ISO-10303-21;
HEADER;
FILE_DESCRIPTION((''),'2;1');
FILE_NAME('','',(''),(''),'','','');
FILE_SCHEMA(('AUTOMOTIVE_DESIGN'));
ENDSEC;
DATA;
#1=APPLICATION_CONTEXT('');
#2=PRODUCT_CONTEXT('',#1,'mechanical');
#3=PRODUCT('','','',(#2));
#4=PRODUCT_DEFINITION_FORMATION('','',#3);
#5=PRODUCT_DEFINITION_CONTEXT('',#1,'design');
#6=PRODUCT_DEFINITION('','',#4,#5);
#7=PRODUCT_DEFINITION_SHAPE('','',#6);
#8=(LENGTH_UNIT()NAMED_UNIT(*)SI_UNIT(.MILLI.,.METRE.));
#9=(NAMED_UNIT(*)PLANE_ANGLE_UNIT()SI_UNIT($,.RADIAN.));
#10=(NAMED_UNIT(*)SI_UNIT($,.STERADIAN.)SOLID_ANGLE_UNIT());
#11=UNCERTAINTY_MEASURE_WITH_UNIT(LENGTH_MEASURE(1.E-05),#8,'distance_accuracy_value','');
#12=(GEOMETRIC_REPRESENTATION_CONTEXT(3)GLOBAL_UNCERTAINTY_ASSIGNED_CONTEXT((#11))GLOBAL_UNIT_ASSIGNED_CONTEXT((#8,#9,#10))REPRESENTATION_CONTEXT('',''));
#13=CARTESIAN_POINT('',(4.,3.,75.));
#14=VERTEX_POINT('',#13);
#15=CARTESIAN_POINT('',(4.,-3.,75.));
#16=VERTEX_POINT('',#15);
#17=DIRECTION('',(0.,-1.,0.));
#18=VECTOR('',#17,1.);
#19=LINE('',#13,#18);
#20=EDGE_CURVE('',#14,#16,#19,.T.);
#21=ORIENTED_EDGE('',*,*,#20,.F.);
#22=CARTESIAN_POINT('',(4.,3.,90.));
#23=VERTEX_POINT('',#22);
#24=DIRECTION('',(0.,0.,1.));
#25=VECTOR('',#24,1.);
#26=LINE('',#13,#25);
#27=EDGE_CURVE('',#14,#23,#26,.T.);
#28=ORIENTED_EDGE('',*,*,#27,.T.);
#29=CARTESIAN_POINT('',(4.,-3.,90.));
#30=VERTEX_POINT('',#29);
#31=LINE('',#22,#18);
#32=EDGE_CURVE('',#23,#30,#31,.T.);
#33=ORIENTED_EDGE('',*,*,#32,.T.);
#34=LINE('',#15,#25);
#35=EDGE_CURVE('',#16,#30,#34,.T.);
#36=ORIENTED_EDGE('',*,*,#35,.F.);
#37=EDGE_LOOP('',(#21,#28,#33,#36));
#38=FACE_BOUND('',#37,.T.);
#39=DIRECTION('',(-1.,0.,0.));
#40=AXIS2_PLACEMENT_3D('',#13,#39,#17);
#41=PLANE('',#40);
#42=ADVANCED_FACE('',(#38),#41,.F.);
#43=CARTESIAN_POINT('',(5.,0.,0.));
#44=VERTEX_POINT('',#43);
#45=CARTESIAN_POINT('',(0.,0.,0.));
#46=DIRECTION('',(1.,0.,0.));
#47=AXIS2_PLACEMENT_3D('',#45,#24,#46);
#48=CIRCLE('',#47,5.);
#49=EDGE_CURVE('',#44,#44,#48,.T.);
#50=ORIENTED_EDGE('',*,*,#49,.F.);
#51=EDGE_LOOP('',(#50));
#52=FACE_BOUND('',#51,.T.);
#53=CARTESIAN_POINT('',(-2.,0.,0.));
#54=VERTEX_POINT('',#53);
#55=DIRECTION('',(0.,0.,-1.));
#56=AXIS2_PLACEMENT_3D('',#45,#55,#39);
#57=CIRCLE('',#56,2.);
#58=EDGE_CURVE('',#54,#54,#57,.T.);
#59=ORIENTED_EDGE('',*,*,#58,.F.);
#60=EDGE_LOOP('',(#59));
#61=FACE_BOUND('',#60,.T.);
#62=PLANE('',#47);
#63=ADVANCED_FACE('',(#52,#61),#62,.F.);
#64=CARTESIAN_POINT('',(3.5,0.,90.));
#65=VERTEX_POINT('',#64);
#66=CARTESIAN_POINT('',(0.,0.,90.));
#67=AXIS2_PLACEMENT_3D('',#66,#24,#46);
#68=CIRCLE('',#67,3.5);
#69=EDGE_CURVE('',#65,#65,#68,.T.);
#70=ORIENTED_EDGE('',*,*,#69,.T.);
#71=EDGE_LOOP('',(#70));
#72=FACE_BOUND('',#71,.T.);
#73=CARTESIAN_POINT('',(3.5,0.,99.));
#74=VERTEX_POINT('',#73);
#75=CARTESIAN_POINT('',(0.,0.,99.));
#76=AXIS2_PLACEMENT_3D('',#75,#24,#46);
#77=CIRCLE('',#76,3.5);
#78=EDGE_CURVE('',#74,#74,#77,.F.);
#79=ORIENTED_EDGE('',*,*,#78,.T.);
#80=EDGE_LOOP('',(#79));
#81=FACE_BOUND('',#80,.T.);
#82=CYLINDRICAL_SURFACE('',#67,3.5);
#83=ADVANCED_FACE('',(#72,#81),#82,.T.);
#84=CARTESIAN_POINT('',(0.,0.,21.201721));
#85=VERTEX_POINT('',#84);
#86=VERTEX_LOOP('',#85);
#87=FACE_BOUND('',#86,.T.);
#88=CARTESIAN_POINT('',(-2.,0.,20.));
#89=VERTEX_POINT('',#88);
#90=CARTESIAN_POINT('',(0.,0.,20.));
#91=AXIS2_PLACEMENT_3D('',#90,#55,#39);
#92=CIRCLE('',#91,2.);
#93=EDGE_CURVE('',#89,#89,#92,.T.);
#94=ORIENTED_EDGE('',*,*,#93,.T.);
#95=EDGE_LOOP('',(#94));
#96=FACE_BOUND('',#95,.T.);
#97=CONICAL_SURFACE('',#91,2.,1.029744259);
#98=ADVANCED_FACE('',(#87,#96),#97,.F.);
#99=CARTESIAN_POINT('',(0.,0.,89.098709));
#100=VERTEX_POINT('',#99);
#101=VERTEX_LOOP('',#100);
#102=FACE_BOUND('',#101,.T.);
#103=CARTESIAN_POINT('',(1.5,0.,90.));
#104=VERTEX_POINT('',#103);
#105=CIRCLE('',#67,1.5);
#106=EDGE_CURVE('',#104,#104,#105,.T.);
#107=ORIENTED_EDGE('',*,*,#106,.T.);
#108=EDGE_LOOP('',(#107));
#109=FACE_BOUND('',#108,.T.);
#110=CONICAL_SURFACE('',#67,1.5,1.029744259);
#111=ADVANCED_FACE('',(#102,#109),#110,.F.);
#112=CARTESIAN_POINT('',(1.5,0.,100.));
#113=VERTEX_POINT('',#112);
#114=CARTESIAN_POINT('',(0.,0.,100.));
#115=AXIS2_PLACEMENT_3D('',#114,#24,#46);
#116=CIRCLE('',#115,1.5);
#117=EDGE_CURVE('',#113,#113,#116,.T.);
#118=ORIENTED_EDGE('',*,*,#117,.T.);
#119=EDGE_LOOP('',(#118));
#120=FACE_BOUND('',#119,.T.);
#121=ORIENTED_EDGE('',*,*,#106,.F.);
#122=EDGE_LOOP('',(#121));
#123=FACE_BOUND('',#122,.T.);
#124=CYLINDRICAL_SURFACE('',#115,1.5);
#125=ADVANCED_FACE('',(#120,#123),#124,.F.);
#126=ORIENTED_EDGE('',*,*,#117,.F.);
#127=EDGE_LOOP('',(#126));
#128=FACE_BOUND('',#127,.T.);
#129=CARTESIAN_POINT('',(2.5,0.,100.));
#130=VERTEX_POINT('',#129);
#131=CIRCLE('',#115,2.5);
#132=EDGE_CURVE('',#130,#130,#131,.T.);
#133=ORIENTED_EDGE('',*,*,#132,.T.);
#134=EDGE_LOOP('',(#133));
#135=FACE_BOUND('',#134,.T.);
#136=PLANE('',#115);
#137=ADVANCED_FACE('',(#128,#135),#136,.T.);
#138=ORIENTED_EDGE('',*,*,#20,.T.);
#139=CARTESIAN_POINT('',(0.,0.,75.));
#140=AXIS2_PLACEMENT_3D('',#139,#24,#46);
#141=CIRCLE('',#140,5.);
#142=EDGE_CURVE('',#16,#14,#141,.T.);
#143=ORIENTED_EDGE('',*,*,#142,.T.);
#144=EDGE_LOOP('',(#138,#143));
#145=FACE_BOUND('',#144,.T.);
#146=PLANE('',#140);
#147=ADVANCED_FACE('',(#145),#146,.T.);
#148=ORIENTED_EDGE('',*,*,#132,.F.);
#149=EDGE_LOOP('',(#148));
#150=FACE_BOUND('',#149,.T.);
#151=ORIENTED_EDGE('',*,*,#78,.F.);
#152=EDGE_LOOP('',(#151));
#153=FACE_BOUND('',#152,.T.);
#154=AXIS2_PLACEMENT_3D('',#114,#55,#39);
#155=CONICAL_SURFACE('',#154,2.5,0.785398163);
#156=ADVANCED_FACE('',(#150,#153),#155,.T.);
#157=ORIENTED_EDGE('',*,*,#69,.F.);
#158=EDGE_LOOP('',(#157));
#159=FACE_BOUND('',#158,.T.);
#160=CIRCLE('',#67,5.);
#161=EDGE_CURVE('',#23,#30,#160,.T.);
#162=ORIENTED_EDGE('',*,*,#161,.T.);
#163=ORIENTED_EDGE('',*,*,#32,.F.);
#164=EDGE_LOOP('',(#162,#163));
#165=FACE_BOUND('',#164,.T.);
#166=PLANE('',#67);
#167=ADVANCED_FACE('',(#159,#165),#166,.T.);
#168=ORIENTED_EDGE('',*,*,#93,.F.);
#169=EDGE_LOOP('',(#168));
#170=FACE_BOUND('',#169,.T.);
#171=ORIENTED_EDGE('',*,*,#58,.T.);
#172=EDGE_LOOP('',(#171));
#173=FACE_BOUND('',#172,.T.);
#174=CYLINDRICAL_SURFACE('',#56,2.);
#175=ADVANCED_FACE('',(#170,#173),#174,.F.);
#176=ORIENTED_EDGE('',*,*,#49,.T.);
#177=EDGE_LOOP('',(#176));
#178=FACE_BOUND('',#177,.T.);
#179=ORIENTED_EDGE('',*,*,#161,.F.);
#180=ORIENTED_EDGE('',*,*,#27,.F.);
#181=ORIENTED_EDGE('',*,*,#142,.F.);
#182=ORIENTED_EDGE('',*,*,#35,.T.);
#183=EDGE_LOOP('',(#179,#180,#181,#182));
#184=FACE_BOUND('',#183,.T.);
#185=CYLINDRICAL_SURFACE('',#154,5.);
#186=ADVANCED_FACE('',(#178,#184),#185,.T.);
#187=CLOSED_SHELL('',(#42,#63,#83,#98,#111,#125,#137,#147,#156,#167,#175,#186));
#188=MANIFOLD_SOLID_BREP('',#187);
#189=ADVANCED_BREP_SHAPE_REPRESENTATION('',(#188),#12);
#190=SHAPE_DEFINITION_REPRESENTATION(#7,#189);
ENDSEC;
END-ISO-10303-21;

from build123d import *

# Parameters (mm, degrees)
SKETCH1_R                = 5
BASE_EXTRUDE_DEPTH       = 100
SKETCH7_OUTSIDE_W        = 32.2
SKETCH7_OUTSIDE_H        = 32.2
SKETCH7_OUTSIDE_R        = 3.5
FRONT_CUT_DEPTH          = 10
FRONT_HOLE_D             = 3
FRONT_HOLE_DEPTH         = 10
FRONT_HOLE_TIP           = 0.901290929
CHAMFER1_SIZE            = 1
KEYWAY_START             = -15
KEYWAY_CUT_DEPTH         = 15
F_4_0_4_BLACK_HOLE_D     = 4
F_4_0_4_BLACK_HOLE_DEPTH = 20
F_4_0_4_BLACK_HOLE_TIP   = 1.201721238


with BuildPart() as part:
    # Sketch1 → Base Extrude (new body)
    with BuildSketch(Plane.XY):
        Circle(SKETCH1_R)
    extrude(amount=BASE_EXTRUDE_DEPTH)

    # Sketch7 outside → Front Cut (cut)
    with BuildSketch(Plane.XY.offset(100)):
        Rectangle(SKETCH7_OUTSIDE_W, SKETCH7_OUTSIDE_H)
        Circle(SKETCH7_OUTSIDE_R, mode=Mode.SUBTRACT)
    extrude(amount=-FRONT_CUT_DEPTH, mode=Mode.SUBTRACT)

    # Front Hole
    with Locations(Plane.XY.offset(100)):
        with Locations((0, 0)):
            Hole(FRONT_HOLE_D / 2, depth=FRONT_HOLE_DEPTH)
            with Locations((0, 0, -(FRONT_HOLE_DEPTH + FRONT_HOLE_TIP / 2))):  # 118° drill point
                Cone(0, FRONT_HOLE_D / 2, FRONT_HOLE_TIP, mode=Mode.SUBTRACT)

    # Chamfer1
    chamfer1_edges = [part.edges().sort_by_distance(p)[0] for p in [
        (-3.5, 0, 100),
    ]]
    chamfer(chamfer1_edges, length=CHAMFER1_SIZE)

    # Keyway → Keyway Cut (cut)
    with BuildSketch(Plane.XY.offset(90).offset(KEYWAY_START)):
        with BuildLine():
            Line((4, 3), (4, -3))
            ThreePointArc((4, -3), (5, 0), (4, 3))
        make_face()
    extrude(amount=KEYWAY_CUT_DEPTH, mode=Mode.SUBTRACT)

    # Ø4.0 (4) Black Hole
    with Locations(Plane(origin=(0, 0, 0), x_dir=(-1, 0, 0), z_dir=(0, 0, -1))):
        with Locations((0, 0)):
            Hole(F_4_0_4_BLACK_HOLE_D / 2, depth=F_4_0_4_BLACK_HOLE_DEPTH)
            with Locations((0, 0, -(F_4_0_4_BLACK_HOLE_DEPTH + F_4_0_4_BLACK_HOLE_TIP / 2))):  # 118° drill point
                Cone(0, F_4_0_4_BLACK_HOLE_D / 2, F_4_0_4_BLACK_HOLE_TIP, mode=Mode.SUBTRACT)


solid = part.part
